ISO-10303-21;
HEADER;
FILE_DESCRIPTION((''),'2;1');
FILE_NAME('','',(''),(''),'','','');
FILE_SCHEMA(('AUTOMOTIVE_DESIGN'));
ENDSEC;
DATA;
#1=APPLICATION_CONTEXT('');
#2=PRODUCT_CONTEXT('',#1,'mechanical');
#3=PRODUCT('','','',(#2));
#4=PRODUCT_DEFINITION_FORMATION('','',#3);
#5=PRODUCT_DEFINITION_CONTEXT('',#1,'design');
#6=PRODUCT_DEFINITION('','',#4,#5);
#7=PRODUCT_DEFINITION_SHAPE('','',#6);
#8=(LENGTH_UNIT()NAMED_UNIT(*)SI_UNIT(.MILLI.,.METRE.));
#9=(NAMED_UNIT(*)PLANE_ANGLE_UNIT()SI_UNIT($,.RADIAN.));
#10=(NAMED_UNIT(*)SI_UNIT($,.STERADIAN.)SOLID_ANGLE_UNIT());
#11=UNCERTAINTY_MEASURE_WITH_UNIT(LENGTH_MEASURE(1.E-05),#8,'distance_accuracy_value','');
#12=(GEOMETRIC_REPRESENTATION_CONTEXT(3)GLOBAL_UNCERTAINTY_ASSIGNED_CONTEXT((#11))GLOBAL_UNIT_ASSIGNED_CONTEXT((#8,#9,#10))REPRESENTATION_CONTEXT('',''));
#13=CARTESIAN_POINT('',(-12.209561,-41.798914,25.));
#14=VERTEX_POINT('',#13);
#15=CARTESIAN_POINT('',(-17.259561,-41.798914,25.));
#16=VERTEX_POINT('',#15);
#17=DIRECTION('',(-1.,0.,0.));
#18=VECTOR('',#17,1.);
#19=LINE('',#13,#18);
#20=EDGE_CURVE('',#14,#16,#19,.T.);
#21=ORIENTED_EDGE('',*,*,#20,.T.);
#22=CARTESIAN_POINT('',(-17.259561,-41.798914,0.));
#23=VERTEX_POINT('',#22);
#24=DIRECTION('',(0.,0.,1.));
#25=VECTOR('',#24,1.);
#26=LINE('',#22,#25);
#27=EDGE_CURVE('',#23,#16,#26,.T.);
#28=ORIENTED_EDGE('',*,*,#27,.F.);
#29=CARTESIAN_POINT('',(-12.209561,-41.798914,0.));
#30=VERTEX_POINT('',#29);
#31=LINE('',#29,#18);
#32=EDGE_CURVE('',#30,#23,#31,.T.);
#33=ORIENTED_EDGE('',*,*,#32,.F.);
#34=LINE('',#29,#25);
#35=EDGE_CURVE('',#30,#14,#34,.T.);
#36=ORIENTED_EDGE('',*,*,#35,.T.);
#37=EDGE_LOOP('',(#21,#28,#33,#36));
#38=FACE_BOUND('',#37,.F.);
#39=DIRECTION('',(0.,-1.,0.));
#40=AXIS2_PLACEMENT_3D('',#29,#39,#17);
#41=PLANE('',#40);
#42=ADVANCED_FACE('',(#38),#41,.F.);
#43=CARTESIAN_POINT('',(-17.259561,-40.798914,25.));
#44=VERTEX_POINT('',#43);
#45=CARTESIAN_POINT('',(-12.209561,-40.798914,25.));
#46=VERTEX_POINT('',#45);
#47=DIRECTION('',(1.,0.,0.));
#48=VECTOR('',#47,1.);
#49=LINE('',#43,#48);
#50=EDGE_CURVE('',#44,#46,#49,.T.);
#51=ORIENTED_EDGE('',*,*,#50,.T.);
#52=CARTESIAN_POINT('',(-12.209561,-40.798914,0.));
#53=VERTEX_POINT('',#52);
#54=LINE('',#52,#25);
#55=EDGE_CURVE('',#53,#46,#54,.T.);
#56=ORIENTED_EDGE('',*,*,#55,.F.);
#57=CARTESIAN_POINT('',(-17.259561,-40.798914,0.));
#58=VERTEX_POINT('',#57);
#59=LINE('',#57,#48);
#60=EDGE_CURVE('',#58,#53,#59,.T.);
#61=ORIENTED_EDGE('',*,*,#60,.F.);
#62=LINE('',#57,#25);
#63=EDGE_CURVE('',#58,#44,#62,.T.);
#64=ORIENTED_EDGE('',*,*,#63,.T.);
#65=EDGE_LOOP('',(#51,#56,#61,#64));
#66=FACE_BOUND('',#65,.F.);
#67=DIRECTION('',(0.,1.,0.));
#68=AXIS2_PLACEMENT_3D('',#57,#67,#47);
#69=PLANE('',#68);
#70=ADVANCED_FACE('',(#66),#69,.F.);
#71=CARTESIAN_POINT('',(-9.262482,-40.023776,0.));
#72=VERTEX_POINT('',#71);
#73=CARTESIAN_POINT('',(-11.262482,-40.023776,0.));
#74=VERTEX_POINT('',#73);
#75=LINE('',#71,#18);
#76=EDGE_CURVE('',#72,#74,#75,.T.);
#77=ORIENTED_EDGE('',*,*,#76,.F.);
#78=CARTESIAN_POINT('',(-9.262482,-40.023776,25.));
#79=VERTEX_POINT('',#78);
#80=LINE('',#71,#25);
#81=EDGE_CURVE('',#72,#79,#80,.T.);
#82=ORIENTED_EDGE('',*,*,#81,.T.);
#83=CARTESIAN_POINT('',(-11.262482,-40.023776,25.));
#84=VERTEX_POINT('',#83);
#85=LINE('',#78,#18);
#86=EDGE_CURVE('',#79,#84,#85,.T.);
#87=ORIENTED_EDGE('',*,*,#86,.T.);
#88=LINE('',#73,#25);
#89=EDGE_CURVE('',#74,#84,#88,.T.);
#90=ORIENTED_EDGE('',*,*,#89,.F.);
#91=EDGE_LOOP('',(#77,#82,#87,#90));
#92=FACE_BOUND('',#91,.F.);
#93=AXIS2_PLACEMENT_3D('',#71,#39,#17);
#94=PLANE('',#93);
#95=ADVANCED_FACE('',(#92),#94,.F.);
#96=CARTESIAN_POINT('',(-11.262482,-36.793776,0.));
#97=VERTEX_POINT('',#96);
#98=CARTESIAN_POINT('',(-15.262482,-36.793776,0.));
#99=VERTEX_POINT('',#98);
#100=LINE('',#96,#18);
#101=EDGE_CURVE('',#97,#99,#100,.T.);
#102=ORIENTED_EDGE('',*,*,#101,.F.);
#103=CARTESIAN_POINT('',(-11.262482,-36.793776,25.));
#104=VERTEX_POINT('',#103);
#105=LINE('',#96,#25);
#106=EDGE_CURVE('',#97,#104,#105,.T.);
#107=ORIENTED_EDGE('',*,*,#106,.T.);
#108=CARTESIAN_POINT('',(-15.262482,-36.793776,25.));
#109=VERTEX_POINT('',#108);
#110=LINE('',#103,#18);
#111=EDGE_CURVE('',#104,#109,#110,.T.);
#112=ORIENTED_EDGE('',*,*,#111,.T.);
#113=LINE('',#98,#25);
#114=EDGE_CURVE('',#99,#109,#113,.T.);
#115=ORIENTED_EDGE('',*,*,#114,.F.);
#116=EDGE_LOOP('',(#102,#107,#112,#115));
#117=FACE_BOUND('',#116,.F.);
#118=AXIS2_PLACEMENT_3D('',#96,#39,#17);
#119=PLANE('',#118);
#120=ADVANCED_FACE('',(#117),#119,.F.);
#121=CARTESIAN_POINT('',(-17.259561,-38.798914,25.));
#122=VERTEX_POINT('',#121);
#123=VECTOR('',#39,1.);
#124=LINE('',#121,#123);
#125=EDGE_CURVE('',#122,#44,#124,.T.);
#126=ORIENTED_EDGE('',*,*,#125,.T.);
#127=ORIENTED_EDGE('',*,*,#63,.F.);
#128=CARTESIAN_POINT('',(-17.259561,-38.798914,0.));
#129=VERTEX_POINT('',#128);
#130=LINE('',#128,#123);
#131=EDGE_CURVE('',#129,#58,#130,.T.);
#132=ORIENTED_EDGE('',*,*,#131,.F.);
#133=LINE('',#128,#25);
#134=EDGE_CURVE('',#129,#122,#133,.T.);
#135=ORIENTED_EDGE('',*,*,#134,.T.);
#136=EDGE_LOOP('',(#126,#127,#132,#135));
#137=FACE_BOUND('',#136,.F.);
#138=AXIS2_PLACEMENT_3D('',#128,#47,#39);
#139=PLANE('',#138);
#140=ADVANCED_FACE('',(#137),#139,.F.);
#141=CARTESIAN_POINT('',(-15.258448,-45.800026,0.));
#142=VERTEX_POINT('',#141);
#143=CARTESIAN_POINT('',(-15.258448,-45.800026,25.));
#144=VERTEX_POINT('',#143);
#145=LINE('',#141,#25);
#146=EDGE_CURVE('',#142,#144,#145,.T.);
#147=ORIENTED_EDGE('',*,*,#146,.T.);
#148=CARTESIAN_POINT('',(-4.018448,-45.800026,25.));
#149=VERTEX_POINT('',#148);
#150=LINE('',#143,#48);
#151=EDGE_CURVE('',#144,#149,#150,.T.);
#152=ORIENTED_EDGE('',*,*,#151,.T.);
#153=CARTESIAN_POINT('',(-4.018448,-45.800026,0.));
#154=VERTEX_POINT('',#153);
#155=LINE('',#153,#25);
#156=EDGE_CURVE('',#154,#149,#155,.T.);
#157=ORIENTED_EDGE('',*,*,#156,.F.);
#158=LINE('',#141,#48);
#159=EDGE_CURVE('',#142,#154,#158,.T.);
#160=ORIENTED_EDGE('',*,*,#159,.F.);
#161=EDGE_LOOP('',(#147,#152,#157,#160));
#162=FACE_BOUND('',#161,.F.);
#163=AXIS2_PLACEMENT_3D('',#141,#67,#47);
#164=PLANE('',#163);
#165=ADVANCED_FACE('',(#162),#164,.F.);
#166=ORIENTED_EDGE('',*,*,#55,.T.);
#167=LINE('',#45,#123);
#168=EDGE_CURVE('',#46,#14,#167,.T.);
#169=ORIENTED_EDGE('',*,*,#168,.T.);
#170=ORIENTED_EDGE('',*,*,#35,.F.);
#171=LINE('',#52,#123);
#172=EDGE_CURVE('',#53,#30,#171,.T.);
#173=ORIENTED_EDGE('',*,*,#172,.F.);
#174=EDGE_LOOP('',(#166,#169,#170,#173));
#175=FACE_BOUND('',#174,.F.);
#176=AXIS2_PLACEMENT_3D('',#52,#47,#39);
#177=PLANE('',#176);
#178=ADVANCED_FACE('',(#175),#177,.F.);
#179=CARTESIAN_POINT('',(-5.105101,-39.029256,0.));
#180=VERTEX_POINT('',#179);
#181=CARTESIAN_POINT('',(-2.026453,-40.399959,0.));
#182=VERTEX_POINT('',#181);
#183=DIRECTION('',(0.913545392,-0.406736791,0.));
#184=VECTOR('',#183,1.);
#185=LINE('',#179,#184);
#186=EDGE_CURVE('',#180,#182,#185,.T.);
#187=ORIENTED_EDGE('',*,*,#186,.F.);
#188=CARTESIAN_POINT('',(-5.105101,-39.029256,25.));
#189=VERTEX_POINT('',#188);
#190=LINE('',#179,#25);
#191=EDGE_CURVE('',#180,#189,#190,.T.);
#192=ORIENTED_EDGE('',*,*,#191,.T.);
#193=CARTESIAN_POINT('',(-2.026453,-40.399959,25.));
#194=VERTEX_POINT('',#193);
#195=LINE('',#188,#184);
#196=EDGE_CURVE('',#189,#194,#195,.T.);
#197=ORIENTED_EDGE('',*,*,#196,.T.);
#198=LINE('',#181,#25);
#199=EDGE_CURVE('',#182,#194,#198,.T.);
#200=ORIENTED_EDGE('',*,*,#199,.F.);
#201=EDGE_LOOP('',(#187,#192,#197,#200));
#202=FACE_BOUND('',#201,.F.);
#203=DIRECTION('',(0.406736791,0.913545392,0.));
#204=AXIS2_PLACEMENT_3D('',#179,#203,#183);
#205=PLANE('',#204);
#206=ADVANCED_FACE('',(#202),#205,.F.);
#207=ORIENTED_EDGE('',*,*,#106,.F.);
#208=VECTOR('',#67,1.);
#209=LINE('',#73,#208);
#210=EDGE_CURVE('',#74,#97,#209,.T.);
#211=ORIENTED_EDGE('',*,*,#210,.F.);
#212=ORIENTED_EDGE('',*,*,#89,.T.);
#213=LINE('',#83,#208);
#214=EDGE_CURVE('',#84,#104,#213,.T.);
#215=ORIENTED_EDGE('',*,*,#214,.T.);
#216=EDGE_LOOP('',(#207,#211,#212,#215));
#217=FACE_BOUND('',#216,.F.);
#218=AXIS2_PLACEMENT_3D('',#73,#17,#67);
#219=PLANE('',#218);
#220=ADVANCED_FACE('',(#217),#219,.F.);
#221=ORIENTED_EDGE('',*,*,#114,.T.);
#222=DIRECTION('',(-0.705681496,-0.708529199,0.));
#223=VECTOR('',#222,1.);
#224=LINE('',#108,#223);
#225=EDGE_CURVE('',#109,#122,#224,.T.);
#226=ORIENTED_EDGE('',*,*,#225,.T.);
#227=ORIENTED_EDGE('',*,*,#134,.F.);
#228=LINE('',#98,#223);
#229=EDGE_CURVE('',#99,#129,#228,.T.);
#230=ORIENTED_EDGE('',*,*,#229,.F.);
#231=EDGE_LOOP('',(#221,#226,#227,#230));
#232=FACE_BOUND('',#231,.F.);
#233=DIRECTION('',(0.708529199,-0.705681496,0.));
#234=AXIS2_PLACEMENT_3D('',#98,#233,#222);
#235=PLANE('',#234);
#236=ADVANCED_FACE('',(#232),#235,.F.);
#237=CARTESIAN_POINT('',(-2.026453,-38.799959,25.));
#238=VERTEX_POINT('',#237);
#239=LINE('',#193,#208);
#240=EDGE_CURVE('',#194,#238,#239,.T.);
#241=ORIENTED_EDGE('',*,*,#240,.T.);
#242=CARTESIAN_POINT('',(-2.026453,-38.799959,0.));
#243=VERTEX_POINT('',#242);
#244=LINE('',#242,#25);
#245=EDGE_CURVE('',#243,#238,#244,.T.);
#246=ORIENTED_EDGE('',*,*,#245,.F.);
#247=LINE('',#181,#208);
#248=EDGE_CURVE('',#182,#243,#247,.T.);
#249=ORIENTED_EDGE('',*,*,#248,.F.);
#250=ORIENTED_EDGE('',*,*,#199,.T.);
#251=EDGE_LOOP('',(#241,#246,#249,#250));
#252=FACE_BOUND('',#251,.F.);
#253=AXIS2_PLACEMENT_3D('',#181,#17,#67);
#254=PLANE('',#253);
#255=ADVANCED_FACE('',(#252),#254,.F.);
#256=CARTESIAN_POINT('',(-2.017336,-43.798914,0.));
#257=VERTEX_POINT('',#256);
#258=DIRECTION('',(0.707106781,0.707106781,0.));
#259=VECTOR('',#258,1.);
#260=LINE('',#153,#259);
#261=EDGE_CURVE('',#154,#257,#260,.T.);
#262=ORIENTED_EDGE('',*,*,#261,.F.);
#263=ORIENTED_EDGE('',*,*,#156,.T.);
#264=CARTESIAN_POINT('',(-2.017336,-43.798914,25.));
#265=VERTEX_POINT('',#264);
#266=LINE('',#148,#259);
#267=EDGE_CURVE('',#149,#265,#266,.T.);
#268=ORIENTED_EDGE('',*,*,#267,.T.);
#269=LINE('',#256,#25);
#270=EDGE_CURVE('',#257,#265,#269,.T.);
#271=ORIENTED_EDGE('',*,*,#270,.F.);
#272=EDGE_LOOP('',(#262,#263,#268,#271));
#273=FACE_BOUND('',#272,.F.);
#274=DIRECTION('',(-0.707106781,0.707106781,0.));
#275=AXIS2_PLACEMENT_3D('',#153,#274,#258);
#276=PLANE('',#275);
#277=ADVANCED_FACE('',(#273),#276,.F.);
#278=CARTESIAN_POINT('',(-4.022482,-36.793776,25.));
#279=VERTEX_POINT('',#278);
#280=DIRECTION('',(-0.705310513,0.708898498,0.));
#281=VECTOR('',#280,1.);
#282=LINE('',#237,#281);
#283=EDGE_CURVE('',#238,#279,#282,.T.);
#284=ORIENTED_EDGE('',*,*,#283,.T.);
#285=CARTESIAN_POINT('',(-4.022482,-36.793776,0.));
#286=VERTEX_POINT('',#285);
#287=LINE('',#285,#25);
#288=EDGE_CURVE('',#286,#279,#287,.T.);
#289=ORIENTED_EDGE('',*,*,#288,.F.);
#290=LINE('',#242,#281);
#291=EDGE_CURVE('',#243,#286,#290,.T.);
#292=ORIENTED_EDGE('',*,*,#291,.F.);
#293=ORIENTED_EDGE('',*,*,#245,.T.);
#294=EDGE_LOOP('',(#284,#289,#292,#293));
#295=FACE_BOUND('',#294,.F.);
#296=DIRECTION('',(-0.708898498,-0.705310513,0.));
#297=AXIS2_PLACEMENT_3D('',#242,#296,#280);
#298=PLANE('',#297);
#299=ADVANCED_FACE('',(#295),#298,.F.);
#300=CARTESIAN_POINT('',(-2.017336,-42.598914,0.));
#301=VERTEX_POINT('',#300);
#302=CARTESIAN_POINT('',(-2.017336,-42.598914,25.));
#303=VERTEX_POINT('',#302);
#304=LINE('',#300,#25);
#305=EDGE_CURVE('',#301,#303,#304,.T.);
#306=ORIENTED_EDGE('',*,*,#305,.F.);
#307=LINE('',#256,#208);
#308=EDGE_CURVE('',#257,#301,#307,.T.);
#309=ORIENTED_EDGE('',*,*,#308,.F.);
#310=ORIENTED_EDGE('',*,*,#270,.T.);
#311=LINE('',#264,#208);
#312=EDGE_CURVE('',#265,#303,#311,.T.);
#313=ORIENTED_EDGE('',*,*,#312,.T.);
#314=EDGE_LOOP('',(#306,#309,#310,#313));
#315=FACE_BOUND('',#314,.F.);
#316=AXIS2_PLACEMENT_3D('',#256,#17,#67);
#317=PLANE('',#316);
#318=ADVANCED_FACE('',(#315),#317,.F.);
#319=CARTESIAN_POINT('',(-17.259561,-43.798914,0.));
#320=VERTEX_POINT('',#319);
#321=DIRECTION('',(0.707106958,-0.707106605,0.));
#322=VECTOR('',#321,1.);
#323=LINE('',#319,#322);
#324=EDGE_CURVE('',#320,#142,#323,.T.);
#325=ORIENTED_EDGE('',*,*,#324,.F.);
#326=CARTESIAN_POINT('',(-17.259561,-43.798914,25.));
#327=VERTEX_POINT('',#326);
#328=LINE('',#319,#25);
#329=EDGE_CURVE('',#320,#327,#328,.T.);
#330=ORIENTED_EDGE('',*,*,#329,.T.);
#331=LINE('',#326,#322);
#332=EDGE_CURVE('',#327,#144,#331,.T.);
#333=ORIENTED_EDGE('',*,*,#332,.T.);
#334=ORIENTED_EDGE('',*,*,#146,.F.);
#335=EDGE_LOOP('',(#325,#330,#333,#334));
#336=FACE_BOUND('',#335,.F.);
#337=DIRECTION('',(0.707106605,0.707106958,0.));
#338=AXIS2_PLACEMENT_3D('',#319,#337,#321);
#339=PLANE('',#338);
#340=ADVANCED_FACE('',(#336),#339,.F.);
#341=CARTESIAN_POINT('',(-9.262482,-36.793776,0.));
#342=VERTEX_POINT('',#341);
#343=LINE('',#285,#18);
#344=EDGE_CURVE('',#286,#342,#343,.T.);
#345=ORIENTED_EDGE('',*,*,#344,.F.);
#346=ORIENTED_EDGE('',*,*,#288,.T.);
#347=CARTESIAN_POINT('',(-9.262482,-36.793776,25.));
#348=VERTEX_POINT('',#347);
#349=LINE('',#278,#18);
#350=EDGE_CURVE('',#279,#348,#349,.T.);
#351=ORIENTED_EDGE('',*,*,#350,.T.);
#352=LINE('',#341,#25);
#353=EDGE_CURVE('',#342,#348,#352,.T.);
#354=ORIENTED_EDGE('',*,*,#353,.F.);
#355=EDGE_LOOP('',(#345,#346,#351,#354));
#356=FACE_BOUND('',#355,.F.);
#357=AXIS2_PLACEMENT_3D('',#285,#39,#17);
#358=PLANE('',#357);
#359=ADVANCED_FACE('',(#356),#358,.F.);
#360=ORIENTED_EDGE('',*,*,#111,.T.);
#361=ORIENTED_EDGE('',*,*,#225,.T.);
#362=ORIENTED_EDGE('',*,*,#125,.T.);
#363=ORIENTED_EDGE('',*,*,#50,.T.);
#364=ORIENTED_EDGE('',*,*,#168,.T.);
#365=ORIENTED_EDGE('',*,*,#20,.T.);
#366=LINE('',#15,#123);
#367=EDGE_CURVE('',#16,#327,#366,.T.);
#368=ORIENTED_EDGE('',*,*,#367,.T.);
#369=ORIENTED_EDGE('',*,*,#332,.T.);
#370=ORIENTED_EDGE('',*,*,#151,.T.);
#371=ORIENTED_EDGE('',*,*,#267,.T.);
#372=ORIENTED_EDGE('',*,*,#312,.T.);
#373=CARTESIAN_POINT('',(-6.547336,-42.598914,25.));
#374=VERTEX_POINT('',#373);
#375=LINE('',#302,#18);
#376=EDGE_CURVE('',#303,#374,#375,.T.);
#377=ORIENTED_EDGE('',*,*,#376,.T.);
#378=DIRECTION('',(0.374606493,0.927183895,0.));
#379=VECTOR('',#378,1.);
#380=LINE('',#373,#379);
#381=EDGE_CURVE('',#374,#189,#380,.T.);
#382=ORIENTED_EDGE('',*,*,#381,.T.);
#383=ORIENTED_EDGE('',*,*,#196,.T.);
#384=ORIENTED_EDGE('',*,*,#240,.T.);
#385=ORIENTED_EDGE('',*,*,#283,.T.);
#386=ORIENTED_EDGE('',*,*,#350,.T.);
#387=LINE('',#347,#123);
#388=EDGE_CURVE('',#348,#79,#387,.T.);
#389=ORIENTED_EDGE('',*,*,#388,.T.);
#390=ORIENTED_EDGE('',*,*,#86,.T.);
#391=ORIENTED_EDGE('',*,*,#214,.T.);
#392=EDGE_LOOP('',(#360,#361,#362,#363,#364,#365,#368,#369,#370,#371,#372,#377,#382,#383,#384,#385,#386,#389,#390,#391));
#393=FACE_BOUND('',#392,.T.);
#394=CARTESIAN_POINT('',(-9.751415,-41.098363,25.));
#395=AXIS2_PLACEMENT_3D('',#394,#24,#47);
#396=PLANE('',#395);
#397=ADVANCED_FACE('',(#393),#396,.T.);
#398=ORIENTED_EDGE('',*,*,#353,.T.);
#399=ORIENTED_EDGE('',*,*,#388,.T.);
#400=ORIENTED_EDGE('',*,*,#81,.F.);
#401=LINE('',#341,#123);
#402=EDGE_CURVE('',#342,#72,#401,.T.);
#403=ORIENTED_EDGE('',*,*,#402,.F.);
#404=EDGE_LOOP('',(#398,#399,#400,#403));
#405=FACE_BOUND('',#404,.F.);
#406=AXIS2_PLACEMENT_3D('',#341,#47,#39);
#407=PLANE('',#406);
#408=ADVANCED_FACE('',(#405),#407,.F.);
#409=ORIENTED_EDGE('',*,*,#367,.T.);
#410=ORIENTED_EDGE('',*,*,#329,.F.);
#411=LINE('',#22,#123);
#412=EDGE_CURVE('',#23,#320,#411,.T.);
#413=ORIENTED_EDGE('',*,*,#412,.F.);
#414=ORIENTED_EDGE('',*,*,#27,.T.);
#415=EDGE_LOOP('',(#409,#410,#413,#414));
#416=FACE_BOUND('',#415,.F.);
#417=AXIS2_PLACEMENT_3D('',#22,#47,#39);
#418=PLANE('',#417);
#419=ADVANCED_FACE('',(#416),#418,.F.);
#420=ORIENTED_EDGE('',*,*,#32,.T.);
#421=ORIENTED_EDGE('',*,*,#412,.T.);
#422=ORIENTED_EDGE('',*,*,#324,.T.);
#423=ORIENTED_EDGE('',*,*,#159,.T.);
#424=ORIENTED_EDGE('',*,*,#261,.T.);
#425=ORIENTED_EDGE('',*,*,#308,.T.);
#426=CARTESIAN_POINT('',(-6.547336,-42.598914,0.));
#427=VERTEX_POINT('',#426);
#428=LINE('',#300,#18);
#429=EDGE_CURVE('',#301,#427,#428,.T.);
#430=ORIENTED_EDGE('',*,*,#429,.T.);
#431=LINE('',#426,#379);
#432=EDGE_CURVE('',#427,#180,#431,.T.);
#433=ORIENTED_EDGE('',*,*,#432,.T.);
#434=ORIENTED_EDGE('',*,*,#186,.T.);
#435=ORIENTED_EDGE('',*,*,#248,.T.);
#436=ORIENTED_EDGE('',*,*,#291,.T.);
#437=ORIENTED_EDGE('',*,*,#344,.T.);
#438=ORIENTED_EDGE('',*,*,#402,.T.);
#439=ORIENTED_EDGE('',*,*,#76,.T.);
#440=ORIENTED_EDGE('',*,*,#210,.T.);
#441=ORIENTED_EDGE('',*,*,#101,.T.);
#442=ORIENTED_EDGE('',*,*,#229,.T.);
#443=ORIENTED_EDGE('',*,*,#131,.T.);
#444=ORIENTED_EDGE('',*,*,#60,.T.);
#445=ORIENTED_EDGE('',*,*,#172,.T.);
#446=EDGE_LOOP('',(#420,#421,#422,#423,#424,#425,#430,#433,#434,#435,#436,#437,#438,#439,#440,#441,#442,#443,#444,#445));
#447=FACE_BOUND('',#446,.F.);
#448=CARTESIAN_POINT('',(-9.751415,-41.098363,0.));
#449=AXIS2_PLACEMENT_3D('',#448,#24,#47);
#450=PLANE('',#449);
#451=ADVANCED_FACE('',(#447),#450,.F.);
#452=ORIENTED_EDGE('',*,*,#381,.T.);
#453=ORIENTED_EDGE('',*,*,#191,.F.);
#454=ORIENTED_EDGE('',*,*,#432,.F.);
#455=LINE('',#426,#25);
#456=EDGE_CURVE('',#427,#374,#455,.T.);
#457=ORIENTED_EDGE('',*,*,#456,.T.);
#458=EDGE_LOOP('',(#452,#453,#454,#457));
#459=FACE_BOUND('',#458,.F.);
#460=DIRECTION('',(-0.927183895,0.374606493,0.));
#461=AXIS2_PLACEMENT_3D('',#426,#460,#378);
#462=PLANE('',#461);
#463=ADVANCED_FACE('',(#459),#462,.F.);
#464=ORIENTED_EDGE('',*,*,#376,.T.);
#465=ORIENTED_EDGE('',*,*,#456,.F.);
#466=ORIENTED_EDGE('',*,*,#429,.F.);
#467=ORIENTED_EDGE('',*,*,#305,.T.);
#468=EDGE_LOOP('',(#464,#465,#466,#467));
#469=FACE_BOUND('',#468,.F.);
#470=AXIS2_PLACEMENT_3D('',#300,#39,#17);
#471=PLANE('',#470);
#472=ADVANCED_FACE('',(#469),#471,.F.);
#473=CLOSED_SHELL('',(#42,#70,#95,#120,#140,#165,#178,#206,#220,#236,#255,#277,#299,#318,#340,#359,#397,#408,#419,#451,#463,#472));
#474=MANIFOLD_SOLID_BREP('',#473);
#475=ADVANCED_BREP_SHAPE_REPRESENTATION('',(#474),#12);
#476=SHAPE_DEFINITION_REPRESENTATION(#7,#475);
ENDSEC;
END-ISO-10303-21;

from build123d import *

# Parameters (mm, degrees)
F1_DEPTH = 25


with BuildPart() as f1:
    # F0 (on Top) → F1 (new body)
    with BuildSketch(Plane.XY):
        Polygon((-17.259561, -43.798914), (-15.258448, -45.800026), (-4.018448, -45.800026), (-2.017336, -43.798914), (-2.017336, -42.598914), (-6.547336, -42.598914), (-5.105101, -39.029256), (-2.026453, -40.399959), (-2.026453, -38.799959), (-4.022482, -36.793776), (-9.262482, -36.793776), (-9.262482, -40.023776), (-11.262482, -40.023776), (-11.262482, -36.793776), (-15.262482, -36.793776), (-17.259561, -38.798914), (-17.259561, -40.798914), (-12.209561, -40.798914), (-12.209561, -41.798914), (-17.259561, -41.798914), align=None)
    extrude(amount=F1_DEPTH)


solid = f1.part
